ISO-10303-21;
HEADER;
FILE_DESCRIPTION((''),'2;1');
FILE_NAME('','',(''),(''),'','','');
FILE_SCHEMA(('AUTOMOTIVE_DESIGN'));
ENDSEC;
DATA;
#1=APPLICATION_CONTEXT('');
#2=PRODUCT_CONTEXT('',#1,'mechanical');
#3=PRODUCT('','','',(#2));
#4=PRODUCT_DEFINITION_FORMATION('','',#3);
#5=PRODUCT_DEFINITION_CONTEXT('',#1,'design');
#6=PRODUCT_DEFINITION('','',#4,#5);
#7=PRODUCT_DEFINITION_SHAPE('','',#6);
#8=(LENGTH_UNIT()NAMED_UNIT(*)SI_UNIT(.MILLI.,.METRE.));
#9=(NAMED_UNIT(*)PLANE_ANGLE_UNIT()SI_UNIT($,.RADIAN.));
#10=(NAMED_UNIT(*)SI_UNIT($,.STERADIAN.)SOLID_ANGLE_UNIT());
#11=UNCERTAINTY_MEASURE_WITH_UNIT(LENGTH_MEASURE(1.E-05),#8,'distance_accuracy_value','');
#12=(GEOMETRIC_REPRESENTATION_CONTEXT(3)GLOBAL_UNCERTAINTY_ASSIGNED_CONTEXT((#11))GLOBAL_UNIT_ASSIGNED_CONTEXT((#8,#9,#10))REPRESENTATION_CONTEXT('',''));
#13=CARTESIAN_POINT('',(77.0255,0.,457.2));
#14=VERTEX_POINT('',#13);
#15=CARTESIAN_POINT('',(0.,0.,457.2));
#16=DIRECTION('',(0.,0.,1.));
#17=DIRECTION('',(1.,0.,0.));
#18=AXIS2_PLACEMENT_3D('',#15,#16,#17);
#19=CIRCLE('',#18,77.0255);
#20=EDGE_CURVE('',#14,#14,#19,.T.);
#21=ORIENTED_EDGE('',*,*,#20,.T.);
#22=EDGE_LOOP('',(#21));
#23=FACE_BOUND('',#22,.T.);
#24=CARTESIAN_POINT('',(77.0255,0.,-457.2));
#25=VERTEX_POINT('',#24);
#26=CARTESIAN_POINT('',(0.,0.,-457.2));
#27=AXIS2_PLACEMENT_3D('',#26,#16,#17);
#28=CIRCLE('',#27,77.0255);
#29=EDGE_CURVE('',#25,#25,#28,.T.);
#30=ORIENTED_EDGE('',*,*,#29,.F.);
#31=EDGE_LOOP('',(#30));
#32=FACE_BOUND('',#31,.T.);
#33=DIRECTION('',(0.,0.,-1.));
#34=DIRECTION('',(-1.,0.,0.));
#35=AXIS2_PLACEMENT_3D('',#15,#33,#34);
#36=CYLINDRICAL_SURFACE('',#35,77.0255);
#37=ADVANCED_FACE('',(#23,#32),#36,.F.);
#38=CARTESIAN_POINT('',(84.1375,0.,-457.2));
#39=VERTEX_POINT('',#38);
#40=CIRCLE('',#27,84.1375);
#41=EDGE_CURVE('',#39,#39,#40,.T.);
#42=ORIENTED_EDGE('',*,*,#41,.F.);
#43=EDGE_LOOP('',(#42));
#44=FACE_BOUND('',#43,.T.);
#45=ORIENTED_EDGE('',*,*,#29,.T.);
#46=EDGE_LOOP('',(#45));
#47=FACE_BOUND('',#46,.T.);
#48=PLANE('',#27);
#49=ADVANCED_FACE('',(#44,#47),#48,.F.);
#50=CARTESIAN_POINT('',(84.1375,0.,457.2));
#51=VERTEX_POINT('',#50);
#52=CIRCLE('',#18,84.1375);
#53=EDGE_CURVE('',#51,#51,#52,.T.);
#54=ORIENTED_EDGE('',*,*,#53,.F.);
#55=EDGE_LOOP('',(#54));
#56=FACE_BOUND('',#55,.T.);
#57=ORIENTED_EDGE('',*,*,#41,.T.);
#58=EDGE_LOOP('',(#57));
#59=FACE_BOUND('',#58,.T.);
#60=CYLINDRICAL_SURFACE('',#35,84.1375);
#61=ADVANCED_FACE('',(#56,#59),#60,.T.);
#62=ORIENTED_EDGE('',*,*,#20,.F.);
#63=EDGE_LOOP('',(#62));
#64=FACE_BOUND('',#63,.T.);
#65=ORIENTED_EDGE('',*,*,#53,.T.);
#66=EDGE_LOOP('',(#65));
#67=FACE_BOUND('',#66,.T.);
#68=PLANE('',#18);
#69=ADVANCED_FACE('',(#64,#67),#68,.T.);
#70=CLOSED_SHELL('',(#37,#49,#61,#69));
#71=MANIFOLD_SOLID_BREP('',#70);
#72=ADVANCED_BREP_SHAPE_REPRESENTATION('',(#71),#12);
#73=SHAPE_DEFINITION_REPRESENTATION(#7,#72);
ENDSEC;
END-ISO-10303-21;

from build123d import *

# Parameters (mm, degrees)
SKETCH1_R           = 84.1375
SKETCH1_R_2         = 77.0255
EXTRUDE_THIN1_DEPTH = 457.2


with BuildPart() as part:
    # Sketch1 → Extrude-Thin1 (new body, symmetric)
    with BuildSketch(Plane.XY):
        Circle(SKETCH1_R)
        Circle(SKETCH1_R_2, mode=Mode.SUBTRACT)
    extrude(amount=EXTRUDE_THIN1_DEPTH, both=True)


solid = part.part
